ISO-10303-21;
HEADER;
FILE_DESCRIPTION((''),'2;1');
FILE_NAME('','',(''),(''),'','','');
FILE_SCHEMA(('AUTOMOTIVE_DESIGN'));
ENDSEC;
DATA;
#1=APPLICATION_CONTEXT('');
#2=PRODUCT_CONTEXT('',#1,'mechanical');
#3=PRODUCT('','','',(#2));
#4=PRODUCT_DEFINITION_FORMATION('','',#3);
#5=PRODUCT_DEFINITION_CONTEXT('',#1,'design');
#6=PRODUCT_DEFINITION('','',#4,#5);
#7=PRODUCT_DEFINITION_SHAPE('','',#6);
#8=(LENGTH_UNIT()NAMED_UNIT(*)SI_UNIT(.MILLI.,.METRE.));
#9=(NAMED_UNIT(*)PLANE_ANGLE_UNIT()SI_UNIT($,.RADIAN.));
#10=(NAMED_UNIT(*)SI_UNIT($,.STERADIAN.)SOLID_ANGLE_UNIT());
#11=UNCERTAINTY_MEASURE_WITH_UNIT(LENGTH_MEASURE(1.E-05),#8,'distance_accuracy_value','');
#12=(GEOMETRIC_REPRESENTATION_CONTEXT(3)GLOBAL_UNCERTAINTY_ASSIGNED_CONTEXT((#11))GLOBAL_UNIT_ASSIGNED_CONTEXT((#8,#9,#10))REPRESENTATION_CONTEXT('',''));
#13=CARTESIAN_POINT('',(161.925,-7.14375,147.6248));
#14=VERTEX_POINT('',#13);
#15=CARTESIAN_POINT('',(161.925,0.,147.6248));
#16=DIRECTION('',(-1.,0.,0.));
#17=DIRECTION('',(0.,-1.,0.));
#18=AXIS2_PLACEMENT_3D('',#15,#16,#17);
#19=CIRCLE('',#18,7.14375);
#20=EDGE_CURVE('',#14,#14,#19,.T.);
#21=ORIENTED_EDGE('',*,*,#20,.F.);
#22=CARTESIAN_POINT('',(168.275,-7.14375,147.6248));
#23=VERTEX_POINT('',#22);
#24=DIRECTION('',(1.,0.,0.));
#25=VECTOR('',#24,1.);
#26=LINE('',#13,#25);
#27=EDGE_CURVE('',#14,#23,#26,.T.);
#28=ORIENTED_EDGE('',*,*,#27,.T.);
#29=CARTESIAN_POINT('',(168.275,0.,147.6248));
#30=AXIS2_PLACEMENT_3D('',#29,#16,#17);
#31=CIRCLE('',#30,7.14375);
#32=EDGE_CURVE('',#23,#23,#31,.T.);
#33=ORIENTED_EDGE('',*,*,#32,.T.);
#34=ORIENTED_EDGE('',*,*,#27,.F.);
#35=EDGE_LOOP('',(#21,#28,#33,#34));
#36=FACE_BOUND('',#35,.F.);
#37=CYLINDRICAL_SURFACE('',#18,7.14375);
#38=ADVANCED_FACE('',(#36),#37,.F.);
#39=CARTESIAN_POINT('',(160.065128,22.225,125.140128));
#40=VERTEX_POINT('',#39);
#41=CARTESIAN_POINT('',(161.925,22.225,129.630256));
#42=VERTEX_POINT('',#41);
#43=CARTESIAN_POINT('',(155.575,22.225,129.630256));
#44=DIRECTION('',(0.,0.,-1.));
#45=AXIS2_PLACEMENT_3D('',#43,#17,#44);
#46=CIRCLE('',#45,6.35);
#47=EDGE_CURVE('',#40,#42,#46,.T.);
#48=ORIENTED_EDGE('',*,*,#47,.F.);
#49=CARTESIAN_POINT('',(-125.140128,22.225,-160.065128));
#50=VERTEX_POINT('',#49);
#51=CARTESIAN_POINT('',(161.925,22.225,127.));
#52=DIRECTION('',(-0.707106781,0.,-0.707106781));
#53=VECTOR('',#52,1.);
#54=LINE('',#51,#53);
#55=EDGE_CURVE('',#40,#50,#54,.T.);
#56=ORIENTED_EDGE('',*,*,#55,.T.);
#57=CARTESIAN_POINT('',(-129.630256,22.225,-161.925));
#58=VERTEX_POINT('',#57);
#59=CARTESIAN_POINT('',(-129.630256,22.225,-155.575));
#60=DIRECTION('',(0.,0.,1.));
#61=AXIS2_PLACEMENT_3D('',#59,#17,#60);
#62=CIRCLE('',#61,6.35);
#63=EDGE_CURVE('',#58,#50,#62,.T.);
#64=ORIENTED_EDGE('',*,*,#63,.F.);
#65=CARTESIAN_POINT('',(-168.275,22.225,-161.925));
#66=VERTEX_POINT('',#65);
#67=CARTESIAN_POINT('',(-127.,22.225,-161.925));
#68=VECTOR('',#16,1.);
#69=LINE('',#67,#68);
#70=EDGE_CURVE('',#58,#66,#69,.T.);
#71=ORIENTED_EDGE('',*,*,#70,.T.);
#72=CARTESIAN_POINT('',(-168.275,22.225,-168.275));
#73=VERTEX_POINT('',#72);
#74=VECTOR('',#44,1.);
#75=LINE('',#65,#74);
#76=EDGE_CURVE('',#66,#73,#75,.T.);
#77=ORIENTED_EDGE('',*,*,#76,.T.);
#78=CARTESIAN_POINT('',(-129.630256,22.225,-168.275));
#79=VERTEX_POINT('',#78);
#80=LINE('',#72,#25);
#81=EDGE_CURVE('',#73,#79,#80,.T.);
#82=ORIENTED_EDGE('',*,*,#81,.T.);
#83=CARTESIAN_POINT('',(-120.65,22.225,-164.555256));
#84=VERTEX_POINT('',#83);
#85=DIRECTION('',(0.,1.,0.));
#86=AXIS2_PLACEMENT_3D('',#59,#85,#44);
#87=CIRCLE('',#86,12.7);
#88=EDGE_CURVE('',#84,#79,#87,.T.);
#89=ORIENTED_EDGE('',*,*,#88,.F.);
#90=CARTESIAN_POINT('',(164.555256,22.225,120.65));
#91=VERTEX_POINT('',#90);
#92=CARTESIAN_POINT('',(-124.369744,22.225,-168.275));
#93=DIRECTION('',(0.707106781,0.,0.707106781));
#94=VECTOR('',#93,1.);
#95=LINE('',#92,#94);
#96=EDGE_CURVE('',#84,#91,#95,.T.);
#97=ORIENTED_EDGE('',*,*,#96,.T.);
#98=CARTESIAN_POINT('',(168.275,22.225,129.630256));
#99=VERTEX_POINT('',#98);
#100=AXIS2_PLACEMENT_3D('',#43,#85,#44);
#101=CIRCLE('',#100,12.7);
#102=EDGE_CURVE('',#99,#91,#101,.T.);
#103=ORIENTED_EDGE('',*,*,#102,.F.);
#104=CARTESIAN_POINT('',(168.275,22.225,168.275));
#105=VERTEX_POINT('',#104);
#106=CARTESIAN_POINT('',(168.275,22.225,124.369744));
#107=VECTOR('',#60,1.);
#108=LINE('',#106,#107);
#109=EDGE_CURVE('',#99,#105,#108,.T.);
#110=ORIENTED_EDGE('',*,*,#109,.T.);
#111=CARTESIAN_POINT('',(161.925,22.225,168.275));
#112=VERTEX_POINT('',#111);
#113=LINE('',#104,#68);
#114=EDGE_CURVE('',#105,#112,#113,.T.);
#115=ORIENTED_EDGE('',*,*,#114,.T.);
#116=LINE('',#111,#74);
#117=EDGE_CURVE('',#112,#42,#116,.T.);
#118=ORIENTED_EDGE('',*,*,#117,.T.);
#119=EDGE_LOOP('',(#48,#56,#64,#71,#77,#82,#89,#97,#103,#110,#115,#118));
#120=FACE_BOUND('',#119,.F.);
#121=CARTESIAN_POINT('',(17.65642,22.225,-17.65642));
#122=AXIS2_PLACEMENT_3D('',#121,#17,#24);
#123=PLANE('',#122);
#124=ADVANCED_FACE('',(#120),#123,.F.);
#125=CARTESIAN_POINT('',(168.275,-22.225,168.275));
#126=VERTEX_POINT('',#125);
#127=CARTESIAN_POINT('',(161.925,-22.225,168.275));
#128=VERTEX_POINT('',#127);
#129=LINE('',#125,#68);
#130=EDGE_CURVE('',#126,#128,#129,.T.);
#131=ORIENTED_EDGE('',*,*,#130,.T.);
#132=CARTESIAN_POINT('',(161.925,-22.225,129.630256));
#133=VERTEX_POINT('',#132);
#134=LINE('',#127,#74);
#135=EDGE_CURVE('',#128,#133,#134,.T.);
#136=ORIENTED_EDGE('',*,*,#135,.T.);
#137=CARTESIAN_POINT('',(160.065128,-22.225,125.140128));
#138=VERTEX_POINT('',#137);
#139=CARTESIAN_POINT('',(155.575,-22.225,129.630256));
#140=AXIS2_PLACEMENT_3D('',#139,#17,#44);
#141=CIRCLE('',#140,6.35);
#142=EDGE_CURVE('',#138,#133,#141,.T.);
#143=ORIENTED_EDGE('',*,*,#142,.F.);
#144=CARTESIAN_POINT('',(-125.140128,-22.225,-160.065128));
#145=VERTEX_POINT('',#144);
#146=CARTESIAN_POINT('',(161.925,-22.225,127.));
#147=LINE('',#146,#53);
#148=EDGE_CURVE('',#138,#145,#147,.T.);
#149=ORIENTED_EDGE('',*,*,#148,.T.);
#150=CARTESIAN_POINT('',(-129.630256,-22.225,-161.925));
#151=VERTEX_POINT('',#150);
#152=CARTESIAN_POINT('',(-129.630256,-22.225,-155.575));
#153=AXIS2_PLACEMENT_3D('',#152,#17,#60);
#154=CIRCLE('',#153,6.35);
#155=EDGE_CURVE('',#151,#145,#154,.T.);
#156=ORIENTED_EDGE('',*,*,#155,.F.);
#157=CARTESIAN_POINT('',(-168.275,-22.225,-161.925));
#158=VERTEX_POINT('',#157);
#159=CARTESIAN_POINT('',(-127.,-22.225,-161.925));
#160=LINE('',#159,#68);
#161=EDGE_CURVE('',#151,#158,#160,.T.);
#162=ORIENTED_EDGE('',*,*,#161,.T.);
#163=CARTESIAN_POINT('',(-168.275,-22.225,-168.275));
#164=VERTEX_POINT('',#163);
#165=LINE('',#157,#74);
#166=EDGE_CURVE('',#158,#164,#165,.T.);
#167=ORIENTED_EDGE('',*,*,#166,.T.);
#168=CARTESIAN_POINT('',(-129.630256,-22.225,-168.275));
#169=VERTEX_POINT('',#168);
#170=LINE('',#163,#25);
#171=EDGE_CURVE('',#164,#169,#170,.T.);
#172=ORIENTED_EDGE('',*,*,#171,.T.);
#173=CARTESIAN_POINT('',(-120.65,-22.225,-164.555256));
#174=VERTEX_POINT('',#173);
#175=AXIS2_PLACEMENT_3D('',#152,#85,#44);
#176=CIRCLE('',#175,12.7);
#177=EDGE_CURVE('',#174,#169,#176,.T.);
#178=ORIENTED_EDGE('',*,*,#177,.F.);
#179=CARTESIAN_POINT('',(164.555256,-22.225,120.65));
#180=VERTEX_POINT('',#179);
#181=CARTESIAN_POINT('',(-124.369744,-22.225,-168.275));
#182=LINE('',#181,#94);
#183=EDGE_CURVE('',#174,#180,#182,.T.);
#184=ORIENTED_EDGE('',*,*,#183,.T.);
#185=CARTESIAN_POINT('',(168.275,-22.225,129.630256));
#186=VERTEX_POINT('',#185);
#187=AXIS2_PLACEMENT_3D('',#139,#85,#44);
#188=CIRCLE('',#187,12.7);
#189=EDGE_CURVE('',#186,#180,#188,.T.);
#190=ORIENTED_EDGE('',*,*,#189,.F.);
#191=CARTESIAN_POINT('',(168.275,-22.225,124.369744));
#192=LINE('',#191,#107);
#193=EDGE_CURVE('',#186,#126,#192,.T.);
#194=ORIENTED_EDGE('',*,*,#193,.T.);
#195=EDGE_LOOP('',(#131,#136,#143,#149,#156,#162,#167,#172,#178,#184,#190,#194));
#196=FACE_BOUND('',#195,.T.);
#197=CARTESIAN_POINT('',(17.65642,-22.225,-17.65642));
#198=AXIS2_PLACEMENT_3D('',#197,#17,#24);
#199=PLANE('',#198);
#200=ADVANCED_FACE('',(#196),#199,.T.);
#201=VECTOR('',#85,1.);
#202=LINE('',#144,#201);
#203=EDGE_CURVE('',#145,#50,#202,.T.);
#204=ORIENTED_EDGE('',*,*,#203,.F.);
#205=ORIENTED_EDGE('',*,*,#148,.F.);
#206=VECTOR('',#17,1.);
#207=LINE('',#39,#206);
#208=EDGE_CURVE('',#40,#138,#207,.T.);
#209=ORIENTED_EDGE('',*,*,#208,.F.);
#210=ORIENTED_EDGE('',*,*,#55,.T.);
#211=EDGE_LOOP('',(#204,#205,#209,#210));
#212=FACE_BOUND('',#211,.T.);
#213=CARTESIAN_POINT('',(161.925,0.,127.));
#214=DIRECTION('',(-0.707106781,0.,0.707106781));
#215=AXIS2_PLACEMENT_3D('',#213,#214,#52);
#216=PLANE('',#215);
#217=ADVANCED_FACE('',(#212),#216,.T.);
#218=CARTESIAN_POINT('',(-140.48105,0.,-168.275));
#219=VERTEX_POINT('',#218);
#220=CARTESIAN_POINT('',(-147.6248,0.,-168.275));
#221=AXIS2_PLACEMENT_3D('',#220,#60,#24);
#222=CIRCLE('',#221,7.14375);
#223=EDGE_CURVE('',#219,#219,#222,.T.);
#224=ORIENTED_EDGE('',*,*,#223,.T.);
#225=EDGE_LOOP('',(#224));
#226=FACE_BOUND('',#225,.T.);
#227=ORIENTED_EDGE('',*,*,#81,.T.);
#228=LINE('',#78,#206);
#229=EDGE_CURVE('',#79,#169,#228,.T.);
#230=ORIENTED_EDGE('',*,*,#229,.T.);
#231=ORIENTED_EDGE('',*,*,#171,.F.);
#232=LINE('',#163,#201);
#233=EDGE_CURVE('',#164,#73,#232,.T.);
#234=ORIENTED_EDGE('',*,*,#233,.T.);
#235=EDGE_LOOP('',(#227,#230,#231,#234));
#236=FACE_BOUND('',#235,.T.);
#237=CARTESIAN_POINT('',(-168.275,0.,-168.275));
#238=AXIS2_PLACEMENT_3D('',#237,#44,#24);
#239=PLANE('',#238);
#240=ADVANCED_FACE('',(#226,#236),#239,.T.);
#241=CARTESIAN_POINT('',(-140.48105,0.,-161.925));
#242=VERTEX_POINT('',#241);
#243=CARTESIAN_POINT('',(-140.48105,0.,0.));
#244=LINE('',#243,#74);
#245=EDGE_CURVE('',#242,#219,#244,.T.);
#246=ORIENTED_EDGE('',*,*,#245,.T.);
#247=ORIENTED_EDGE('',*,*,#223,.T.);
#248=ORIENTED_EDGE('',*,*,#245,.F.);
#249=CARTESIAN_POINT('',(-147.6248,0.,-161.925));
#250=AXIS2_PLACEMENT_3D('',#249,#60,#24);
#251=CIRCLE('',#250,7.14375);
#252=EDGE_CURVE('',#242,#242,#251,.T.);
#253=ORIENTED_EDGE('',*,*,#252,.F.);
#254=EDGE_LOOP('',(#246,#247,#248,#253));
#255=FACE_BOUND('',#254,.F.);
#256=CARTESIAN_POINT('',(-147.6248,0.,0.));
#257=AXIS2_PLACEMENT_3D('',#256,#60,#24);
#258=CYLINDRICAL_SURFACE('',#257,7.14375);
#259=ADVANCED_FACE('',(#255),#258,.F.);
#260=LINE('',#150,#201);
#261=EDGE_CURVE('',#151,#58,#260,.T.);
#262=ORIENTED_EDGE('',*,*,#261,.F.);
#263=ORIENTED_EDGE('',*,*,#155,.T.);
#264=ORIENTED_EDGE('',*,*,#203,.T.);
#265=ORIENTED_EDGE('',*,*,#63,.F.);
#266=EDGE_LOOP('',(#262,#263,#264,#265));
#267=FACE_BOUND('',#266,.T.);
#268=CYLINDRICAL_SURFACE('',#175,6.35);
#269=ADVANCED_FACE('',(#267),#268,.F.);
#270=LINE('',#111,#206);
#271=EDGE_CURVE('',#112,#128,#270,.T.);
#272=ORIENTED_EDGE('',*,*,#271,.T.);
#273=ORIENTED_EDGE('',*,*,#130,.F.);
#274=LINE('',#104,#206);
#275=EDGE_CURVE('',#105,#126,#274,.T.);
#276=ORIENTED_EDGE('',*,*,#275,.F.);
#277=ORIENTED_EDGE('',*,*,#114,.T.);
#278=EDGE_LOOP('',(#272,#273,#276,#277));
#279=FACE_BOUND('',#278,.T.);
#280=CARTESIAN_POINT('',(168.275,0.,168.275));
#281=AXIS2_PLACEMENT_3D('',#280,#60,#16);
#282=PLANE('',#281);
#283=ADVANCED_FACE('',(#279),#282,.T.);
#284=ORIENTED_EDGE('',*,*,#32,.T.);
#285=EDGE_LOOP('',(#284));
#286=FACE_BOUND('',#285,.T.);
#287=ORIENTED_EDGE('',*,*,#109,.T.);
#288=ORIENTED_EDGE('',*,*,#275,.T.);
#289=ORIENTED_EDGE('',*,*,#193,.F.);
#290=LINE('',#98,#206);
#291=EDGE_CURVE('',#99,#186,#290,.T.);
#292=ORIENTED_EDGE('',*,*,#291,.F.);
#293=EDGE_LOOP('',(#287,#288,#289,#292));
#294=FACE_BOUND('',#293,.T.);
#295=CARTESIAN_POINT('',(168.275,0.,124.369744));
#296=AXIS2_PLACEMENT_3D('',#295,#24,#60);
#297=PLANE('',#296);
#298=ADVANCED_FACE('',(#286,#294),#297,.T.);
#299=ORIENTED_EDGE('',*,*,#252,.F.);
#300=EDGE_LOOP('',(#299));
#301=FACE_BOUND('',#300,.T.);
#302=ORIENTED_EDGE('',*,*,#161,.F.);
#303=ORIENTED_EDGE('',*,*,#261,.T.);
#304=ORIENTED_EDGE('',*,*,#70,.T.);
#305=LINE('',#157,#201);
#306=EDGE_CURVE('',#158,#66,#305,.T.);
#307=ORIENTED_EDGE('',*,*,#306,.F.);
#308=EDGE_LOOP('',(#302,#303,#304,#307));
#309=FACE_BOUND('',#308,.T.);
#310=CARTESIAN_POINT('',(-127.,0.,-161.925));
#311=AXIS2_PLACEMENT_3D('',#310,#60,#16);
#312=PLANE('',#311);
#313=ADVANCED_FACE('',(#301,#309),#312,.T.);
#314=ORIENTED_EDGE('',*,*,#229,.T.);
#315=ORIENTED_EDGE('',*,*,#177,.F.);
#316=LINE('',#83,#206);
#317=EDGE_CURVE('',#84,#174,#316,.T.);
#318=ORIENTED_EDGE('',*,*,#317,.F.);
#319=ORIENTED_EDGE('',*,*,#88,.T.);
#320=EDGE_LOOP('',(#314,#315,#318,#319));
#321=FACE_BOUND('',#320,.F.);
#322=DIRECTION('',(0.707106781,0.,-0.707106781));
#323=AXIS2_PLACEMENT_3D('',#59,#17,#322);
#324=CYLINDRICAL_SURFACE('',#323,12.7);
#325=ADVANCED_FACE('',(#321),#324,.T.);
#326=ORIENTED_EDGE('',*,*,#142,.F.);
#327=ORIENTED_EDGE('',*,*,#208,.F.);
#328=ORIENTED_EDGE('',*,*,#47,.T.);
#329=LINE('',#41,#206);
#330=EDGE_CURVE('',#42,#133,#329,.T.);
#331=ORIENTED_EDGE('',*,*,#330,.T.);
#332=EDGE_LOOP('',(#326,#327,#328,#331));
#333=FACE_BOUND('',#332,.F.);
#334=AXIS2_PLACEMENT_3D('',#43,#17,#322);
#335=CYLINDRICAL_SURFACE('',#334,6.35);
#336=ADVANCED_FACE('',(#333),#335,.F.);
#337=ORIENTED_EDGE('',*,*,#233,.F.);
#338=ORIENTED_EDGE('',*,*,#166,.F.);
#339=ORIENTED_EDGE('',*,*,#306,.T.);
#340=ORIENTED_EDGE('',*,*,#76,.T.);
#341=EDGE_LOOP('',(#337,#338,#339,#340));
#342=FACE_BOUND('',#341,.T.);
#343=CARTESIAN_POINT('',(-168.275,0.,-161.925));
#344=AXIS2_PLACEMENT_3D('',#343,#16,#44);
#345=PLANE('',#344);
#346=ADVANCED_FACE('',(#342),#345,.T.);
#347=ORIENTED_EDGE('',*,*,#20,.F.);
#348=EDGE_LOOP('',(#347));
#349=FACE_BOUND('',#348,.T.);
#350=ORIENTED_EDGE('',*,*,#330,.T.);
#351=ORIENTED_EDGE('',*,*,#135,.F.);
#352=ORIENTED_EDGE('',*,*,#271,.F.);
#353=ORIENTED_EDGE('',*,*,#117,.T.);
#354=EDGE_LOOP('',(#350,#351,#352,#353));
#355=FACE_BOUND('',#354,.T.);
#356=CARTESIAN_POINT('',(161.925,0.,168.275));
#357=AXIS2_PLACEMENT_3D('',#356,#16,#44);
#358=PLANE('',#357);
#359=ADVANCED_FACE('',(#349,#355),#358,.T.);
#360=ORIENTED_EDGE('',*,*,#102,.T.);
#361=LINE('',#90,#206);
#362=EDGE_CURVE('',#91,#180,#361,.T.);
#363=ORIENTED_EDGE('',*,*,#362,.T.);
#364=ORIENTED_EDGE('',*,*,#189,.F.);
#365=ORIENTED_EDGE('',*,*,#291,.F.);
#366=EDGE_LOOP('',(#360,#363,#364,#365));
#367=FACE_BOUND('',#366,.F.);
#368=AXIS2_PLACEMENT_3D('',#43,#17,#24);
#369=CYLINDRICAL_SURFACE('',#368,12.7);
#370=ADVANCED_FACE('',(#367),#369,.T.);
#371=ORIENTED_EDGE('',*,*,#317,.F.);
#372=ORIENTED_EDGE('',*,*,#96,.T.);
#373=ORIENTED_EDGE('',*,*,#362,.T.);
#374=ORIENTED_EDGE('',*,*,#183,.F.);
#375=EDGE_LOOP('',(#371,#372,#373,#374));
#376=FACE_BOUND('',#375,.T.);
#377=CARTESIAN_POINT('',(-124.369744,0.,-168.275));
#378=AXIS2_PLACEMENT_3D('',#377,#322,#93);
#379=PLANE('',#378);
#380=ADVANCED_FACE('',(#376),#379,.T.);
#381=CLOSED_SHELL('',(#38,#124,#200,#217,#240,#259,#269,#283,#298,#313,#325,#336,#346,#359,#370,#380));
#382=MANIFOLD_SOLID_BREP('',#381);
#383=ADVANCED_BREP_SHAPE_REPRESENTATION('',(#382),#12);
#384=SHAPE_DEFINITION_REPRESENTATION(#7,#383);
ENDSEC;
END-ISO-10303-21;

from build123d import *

# Parameters (mm, degrees)
F1_DEPTH = 22.225
F2_R     = 6.35
F3_R     = 12.7
F4_R     = 7.14375
F5_DEPTH = 25.4
F6_R     = 7.14375
F7_DEPTH = 206.502


with BuildPart() as f1:
    # F0 (on Front) → F1 (new body, symmetric)
    with BuildSketch(Plane.XZ):
        Polygon((-168.275, -168.275), (-124.369744, -168.275), (-124.097372, -168.002628), (168.002628, 124.097372), (168.275, 124.369744), (168.275, 168.275), (161.925, 168.275), (161.925, 127), (-127, -161.925), (-168.275, -161.925), align=None)
    extrude(amount=F1_DEPTH, both=True)

    # F2
    f2_edges = [f1.edges().sort_by_distance(p)[0] for p in [
        (-127, 0, -161.925),
        (161.925, 0, 127),
    ]]
    fillet(f2_edges, radius=F2_R)

    # F3
    f3_edges = [f1.edges().sort_by_distance(p)[0] for p in [
        (-124.369744, 0, -168.275),
        (168.275, 0, 124.369744),
    ]]
    fillet(f3_edges, radius=F3_R)

    # F4 (on face) → F5 (cut)
    with BuildSketch(Plane(origin=(161.925, 0, 0), x_dir=(0, -1, 0), z_dir=(-1, 0, 0))):
        with Locations((0, 147.6248)):
            Circle(F4_R)
    extrude(amount=-F5_DEPTH, mode=Mode.SUBTRACT)

    # F6 (on Top) → F7 (cut)
    with BuildSketch(Plane.XY):
        with Locations((-147.6248, 0)):
            Circle(F6_R)
    extrude(amount=-F7_DEPTH, mode=Mode.SUBTRACT)


solid = f1.part
